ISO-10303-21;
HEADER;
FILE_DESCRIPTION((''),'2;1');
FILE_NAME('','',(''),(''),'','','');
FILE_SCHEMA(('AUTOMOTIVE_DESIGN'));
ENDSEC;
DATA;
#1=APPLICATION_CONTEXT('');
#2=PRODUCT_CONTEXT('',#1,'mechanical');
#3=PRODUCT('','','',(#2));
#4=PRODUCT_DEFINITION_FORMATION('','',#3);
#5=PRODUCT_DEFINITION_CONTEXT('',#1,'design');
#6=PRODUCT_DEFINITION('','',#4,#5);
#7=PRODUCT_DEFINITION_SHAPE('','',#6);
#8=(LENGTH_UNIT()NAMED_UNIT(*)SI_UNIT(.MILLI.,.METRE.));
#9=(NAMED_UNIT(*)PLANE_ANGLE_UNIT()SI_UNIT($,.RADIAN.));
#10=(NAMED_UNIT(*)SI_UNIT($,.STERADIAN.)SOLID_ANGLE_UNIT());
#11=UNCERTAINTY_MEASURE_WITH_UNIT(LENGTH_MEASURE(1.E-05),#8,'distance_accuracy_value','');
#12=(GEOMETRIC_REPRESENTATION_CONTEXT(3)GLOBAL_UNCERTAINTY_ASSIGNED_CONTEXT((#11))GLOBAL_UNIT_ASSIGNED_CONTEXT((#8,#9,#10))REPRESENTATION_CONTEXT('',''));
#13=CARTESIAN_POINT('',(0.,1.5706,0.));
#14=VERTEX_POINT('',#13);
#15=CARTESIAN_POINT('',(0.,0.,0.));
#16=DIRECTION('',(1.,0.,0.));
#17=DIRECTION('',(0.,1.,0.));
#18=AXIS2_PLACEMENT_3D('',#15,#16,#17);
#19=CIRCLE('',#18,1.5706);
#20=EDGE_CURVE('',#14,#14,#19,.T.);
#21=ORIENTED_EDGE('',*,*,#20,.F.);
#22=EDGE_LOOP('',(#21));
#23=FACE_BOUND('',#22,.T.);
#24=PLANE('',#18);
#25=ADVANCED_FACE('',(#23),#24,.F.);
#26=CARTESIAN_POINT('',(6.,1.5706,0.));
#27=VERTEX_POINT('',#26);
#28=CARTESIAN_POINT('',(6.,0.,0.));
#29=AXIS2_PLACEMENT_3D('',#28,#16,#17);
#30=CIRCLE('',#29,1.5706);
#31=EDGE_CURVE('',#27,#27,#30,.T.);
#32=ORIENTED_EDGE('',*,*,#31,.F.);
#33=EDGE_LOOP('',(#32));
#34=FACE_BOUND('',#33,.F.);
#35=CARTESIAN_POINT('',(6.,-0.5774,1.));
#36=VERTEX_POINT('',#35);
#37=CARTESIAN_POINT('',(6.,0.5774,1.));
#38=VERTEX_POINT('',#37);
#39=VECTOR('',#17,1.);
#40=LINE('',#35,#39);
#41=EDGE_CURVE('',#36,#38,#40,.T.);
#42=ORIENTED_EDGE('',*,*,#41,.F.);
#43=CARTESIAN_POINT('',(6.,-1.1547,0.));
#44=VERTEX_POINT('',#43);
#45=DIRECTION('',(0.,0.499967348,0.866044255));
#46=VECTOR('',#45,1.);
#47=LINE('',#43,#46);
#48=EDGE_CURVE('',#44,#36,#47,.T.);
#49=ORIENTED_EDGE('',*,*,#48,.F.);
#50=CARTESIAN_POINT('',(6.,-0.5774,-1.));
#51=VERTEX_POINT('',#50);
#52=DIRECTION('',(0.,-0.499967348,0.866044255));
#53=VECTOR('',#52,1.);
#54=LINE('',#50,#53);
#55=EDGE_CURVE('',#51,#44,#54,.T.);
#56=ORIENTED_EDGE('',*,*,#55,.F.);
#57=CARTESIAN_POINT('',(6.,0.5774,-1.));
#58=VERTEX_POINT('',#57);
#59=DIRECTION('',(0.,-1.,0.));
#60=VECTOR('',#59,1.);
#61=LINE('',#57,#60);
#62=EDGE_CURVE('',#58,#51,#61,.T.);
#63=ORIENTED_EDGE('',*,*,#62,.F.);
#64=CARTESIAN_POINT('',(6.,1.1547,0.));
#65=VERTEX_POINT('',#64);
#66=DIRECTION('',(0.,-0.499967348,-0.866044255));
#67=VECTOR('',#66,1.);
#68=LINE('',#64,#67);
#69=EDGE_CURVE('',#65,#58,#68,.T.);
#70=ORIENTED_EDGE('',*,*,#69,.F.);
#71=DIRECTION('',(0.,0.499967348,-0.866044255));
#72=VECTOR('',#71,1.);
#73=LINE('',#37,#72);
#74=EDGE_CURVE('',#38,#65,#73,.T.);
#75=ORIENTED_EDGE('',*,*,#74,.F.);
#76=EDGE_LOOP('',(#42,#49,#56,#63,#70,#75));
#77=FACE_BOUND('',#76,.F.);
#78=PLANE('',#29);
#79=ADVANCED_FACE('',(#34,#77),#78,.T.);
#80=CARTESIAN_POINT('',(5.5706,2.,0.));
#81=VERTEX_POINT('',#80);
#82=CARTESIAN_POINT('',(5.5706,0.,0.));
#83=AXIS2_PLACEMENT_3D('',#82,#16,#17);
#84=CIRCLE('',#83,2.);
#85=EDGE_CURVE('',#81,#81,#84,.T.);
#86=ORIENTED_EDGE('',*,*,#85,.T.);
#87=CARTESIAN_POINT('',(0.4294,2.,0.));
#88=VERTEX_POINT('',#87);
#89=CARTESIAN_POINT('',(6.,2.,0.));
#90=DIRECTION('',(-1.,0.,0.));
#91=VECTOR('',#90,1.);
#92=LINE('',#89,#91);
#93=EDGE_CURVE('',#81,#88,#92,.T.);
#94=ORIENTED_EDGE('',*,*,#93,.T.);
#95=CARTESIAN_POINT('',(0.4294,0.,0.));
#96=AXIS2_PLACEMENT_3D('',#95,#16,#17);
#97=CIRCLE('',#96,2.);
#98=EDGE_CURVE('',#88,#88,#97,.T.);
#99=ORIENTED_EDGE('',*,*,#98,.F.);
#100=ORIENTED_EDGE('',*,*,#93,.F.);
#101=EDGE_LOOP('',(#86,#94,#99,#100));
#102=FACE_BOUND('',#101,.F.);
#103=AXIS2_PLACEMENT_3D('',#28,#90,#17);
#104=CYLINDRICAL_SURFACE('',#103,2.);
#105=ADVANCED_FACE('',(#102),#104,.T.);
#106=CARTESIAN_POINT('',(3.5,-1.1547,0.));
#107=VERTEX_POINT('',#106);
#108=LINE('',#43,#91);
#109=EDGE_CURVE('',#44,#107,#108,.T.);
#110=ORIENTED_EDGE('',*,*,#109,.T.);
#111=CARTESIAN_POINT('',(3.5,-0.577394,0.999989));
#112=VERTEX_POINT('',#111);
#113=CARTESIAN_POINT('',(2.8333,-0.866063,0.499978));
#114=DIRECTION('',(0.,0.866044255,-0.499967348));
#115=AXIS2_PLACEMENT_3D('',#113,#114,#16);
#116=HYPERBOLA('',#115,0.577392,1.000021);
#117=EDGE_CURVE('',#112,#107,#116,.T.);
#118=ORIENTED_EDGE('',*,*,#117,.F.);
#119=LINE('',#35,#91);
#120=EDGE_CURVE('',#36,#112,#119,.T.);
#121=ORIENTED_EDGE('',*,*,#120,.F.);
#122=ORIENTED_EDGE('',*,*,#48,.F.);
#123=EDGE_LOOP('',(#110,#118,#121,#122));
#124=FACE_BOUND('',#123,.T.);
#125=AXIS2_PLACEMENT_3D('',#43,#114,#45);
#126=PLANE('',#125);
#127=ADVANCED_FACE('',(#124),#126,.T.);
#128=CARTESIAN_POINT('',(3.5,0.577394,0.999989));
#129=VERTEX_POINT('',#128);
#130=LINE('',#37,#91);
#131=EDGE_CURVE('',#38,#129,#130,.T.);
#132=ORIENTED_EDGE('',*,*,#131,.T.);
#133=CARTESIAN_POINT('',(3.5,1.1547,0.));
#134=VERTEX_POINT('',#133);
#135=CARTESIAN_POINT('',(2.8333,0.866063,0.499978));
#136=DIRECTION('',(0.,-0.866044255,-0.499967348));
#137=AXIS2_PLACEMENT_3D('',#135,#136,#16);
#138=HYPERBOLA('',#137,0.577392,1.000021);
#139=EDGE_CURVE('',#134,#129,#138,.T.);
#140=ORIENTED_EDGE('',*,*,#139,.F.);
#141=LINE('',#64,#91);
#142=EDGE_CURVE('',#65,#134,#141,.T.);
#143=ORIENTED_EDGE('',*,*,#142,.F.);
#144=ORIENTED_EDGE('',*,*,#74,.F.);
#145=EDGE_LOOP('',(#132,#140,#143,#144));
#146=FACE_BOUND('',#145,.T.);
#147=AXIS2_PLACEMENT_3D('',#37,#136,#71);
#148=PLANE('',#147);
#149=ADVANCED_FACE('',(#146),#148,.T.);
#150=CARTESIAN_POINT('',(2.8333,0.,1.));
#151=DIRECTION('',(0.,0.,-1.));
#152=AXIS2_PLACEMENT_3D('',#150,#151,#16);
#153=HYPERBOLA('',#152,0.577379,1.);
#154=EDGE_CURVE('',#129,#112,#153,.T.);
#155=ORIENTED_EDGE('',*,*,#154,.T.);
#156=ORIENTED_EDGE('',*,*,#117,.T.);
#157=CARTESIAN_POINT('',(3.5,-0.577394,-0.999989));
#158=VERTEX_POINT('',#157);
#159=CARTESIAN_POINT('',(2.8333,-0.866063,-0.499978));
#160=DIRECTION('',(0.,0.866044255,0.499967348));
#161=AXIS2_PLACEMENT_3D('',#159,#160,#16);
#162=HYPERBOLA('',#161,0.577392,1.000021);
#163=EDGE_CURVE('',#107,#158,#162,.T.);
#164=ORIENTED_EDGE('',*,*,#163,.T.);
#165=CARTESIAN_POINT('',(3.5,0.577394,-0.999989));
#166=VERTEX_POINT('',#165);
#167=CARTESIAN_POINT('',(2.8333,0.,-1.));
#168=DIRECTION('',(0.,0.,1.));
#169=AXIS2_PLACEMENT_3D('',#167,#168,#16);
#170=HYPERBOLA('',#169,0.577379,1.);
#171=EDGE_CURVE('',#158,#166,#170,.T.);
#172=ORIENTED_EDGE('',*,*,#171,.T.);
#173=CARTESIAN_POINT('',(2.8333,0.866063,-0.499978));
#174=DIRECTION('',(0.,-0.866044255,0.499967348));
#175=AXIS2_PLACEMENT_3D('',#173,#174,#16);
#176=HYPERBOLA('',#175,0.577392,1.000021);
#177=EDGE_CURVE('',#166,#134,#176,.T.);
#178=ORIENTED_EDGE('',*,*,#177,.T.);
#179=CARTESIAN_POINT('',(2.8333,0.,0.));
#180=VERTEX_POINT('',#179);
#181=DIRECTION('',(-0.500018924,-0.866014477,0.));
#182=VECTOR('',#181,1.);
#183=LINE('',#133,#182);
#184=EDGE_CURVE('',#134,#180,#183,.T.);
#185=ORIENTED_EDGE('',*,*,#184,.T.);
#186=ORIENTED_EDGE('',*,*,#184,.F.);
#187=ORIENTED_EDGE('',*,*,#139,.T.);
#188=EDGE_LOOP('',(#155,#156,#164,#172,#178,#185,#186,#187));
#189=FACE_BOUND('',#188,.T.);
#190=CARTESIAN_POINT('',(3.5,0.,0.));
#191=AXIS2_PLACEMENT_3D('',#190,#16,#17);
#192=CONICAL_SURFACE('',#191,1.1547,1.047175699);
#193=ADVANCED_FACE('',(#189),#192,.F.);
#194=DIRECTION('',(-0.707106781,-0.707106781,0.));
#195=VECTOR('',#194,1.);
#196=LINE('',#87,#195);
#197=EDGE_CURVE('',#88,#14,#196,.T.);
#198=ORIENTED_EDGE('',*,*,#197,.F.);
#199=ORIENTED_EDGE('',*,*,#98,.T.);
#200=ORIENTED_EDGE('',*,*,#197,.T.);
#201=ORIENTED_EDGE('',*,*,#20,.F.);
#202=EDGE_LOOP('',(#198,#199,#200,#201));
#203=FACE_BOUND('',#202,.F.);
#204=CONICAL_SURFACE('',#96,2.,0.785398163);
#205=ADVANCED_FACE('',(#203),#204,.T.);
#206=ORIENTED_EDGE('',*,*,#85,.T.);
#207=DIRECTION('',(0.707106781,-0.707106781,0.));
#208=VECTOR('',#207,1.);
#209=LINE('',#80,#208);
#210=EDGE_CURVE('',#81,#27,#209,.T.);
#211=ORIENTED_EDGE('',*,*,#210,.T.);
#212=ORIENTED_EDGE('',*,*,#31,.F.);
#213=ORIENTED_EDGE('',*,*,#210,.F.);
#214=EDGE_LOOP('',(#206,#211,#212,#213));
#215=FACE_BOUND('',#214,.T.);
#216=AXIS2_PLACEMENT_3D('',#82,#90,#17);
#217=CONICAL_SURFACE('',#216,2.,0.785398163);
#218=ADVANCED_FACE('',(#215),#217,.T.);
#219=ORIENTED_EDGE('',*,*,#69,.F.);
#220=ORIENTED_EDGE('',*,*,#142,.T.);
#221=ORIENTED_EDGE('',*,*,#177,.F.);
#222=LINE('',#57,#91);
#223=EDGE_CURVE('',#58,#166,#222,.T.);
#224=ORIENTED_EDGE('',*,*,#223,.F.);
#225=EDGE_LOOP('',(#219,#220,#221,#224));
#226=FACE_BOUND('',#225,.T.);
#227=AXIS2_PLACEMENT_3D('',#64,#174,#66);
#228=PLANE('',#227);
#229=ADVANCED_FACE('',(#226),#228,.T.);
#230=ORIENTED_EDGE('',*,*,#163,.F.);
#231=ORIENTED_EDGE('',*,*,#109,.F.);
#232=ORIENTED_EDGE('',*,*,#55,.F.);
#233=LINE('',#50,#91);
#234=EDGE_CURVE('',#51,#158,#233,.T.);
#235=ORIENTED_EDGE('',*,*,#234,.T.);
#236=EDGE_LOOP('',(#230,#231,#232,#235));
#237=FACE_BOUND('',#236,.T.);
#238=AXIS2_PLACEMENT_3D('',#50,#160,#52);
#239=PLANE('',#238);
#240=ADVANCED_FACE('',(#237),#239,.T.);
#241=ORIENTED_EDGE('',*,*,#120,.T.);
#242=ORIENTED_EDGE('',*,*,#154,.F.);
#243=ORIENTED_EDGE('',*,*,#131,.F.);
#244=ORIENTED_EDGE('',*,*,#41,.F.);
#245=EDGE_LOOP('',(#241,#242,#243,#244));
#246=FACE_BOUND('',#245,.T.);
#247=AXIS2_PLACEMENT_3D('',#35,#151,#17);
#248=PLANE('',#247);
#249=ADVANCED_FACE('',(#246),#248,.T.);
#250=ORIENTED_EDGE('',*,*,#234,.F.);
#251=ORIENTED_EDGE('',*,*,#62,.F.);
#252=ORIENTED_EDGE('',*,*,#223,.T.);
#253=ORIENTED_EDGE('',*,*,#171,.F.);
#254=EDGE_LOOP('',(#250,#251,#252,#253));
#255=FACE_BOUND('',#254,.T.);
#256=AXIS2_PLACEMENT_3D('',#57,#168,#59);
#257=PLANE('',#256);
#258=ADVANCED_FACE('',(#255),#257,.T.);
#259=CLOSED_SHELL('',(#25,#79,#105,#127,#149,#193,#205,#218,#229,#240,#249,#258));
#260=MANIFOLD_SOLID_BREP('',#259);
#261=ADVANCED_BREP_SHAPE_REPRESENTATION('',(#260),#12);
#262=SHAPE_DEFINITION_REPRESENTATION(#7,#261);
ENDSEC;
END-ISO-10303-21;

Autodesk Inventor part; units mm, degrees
ref_plane "YZ Plane" through (0, 0, 0) normal (1, 0, 0) x (0, 1, 0)
ref_plane "XZ Plane" through (0, 0, 0) normal (0, 1, 0) x (-1, 0, 0)
sketch "Skizze1" plane through (0, 0, 0) normal (0, 0, 1) x (1, 0, 0)
  line L0 (0, 0) -> (2.8333, 0)
  line L1 (6, 1.1547) -> (6, 2)
  line L2 (6, 2) -> (0, 2)
  line L3 (6, 1.1547) -> (3.5, 1.1547)
  line L4 (3.5, 1.1547) -> (2.8333, 0)
  line L5 (0, -0.4) -> (0, 2.4) projected
  line L6 (0, 2) -> (0, 0)
  dimension "d0" = 2.5
  dimension "d1" = 60
  dimension "d2" = 4
  dimension "d3" = 2.3094
  dimension "d5" = 6
revolve "Körper" add sketch "Skizze1" angle 360 about axis through (0, 0, 0) along (1, 0, 0)
sketch "Skizze2" plane through (6, 0, 0) normal (1, 0, 0) x (0, 1, 0)
  circle A0 centre (0, 0) radius 1.1547 projected
  line L0 (-0.5774, 1) -> (0.5774, 1)
  line L1 (0.5774, 1) -> (1.1547, 0)
  line L2 (1.1547, 0) -> (0.5774, -1)
  line L3 (0.5774, -1) -> (-0.5774, -1)
  line L4 (-0.5774, -1) -> (-1.1547, 0)
  line L5 (-1.1547, 0) -> (-0.5774, 1)
  point P0 (0, 0)
  point P1 (0, 0)
extrude "Loch" add sketch "Skizze2" against normal up to next contours L1 A0 | A0 L2 | L0 A0 | A0 L3 | L5 A0 | A0 L4
thread "Gewinde" size "M4x0.7" class "6g" standard "ISO Metric profile" length 6
chamfer "Fase1" distance 0.4294 angle 45 1 edges at (6, -2, 0) measured on face at (4, 1.9935, -0.1609)
chamfer "Fase2" distance 0.4294 angle 45 1 edges at (0, -2, 0) measured on face at (1.8569, 1.9935, -0.1609)
ref_plane "Work Plane1" through (3, 0, 0) normal (0, 0, 1) x (1, 0, 0)
equation "\"d0\" = INTI"
equation "\"d2\" = NND"
equation "\"d3\" = 1.1547 * SW"
equation "\"d5\" = NLG"
equation "\"d8\" = NLG"
equation "\"d10\" = -0.5 * GD1 + 0.5 * NND"
equation "\"d11\" = FAWI"
equation "\"d34\" = -0.5 * GD1 + 0.5 * NND"
equation "\"d12\" = -0.5 * GD1 + 0.5 * NND"
equation "\"d13\" = FAWI"
equation "\"d35\" = -0.5 * GD1 + 0.5 * NND"
equation "\"NND\" = 4"
equation "\"NLG\" = 6"
equation "\"INTI\" = 2.5"
equation "\"FAWI\" = 45deg"
equation "\"SW\" = 2"
equation "\"GD1\" = THREADDIA - 1.2269 * PTC"
equation "\"SPD\" = 2.5"
equation "\"GUL\" = 0.61345 * PTC"
equation "\"TOA\" = 30deg"
equation "\"THREADDIA\" = 4"
equation "\"PTC\" = 0.7"
equation "\"FAWI1\" = 45deg"
equation "\"GAL\" = 0.61345 * PTC"
equation "\"E0\" = 1.155 * SW"
properties part number "DIN 913 - M4 x 6" material "Stahl, weich"
